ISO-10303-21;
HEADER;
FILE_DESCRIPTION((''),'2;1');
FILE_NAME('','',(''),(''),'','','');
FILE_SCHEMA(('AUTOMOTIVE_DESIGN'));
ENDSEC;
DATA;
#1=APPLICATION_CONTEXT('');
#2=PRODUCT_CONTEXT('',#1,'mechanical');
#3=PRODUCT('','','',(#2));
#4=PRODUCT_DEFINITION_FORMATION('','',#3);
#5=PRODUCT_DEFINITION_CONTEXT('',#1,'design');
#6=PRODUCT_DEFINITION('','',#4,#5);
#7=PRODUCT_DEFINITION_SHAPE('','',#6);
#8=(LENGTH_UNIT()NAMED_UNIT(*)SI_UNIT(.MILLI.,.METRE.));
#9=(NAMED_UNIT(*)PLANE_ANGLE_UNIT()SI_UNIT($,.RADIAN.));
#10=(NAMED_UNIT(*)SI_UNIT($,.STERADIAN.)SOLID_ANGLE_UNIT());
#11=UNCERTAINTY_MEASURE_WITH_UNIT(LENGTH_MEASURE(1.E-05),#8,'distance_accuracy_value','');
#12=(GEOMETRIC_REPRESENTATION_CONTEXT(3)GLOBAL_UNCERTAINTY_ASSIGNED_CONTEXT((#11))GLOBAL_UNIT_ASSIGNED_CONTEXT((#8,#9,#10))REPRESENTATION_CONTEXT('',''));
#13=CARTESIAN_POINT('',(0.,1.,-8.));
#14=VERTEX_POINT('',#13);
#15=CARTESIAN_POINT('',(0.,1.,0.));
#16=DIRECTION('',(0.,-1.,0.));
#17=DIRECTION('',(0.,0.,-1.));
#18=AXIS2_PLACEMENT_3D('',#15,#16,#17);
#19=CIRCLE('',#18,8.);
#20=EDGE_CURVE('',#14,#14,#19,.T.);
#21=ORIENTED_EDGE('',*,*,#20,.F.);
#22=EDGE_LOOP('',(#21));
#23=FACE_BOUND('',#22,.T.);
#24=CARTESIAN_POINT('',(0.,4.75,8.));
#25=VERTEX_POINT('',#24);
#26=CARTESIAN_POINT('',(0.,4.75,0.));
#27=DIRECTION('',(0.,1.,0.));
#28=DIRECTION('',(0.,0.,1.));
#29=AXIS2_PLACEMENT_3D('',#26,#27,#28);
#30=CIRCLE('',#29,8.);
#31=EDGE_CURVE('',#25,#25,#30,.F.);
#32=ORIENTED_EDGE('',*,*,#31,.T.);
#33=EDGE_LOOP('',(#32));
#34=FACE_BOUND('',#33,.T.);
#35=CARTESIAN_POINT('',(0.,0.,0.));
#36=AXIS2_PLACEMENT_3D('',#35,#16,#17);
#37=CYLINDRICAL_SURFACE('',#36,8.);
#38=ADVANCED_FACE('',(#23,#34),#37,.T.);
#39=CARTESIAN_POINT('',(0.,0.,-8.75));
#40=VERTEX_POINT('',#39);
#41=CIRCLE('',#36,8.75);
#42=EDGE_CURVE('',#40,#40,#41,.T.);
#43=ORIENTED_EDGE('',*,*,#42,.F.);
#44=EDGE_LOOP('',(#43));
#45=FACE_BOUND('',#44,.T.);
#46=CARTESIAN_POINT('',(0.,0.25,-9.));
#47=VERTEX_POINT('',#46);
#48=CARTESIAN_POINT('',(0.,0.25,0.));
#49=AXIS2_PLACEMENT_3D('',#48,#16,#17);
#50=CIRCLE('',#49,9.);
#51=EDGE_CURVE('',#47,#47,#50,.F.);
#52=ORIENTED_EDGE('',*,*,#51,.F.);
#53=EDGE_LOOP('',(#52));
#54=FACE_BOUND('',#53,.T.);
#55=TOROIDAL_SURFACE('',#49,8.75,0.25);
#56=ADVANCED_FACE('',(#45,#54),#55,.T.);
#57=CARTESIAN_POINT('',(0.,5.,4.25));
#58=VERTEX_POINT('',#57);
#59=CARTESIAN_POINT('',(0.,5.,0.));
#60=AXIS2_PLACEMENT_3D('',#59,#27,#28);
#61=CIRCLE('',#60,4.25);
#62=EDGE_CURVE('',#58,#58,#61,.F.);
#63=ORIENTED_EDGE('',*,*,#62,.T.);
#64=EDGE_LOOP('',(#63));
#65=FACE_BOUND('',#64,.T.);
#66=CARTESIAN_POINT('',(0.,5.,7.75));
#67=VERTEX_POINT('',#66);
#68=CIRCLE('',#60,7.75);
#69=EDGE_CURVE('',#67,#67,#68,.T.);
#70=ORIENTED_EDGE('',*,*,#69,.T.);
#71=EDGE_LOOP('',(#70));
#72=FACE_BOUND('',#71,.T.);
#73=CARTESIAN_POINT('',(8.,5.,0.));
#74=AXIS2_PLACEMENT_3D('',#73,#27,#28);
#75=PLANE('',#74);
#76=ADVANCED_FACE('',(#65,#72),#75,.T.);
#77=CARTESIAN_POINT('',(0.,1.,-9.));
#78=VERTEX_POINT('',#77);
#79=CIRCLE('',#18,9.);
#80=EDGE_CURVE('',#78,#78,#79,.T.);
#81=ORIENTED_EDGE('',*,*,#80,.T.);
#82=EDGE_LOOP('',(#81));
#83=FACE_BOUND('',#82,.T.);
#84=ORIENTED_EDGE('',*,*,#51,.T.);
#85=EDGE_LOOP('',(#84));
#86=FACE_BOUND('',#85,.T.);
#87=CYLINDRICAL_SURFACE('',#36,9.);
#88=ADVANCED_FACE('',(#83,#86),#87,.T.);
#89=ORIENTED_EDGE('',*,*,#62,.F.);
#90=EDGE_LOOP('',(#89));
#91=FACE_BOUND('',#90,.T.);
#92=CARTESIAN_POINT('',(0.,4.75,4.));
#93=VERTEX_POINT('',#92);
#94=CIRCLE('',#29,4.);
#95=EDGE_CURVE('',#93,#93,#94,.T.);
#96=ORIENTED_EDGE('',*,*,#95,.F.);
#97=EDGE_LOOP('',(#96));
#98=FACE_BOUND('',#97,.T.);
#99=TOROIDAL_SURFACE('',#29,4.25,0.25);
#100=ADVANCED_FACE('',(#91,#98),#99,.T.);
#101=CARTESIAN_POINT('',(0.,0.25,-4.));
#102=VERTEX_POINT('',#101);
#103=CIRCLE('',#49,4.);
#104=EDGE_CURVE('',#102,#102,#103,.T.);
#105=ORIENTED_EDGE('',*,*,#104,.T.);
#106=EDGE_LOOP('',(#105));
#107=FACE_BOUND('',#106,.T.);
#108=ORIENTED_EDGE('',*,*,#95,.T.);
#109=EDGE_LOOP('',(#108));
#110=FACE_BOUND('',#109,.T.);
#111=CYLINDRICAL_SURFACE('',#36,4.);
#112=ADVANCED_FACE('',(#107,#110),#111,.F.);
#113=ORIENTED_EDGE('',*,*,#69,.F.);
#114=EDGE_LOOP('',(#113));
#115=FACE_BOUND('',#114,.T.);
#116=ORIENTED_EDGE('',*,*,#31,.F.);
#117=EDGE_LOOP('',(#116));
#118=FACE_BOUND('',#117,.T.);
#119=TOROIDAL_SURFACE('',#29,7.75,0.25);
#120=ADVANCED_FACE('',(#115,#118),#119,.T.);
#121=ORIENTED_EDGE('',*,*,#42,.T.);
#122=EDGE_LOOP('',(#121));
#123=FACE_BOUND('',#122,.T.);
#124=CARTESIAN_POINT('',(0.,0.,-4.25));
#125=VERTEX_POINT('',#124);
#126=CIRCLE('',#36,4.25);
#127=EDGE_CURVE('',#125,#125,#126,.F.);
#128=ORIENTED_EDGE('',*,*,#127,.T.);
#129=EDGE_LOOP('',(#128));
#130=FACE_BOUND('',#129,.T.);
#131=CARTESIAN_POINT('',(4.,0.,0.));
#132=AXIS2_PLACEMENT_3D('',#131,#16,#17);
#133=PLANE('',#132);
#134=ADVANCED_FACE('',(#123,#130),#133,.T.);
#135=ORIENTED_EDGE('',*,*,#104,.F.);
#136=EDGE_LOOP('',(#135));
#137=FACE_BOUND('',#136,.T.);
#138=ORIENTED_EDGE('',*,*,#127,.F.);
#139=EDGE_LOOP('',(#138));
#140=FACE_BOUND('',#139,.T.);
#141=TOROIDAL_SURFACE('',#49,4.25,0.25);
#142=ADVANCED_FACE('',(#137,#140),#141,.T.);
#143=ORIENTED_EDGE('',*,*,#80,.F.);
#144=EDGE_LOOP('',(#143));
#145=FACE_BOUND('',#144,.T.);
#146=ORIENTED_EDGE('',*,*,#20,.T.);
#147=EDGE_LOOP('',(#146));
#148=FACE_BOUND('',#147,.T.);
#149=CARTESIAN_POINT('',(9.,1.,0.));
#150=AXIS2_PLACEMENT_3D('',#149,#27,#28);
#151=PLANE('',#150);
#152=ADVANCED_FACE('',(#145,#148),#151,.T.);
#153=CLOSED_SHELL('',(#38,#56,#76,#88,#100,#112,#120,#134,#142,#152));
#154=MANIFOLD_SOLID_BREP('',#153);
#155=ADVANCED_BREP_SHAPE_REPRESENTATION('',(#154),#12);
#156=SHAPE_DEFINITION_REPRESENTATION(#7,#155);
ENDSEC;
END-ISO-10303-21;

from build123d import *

# Parameters (mm, degrees)
CONG_1_R = 0.25


with BuildPart() as part:
    # Esquisse1 → Révolution1 (revolve)
    with BuildSketch(Plane.XY, mode=Mode.PRIVATE) as r_volution1_sk:
        Polygon((4, 5), (4, 0), (9, 0), (9, 1), (8, 1), (8, 5), align=None)
    revolve(r_volution1_sk.sketch.rotate(Axis((0, 0, 0), (0, 1, 0)), 90), axis=Axis((0, 0, 0), (0, 1, 0)))

    # Congé1
    cong_1_edges = [part.edges().sort_by_distance(p)[0] for p in [
        (0, 5, 8),
        (0, 0, 9),
        (0, 0, 4),
        (0, 5, 4),
    ]]
    fillet(cong_1_edges, radius=CONG_1_R)


solid = part.part
